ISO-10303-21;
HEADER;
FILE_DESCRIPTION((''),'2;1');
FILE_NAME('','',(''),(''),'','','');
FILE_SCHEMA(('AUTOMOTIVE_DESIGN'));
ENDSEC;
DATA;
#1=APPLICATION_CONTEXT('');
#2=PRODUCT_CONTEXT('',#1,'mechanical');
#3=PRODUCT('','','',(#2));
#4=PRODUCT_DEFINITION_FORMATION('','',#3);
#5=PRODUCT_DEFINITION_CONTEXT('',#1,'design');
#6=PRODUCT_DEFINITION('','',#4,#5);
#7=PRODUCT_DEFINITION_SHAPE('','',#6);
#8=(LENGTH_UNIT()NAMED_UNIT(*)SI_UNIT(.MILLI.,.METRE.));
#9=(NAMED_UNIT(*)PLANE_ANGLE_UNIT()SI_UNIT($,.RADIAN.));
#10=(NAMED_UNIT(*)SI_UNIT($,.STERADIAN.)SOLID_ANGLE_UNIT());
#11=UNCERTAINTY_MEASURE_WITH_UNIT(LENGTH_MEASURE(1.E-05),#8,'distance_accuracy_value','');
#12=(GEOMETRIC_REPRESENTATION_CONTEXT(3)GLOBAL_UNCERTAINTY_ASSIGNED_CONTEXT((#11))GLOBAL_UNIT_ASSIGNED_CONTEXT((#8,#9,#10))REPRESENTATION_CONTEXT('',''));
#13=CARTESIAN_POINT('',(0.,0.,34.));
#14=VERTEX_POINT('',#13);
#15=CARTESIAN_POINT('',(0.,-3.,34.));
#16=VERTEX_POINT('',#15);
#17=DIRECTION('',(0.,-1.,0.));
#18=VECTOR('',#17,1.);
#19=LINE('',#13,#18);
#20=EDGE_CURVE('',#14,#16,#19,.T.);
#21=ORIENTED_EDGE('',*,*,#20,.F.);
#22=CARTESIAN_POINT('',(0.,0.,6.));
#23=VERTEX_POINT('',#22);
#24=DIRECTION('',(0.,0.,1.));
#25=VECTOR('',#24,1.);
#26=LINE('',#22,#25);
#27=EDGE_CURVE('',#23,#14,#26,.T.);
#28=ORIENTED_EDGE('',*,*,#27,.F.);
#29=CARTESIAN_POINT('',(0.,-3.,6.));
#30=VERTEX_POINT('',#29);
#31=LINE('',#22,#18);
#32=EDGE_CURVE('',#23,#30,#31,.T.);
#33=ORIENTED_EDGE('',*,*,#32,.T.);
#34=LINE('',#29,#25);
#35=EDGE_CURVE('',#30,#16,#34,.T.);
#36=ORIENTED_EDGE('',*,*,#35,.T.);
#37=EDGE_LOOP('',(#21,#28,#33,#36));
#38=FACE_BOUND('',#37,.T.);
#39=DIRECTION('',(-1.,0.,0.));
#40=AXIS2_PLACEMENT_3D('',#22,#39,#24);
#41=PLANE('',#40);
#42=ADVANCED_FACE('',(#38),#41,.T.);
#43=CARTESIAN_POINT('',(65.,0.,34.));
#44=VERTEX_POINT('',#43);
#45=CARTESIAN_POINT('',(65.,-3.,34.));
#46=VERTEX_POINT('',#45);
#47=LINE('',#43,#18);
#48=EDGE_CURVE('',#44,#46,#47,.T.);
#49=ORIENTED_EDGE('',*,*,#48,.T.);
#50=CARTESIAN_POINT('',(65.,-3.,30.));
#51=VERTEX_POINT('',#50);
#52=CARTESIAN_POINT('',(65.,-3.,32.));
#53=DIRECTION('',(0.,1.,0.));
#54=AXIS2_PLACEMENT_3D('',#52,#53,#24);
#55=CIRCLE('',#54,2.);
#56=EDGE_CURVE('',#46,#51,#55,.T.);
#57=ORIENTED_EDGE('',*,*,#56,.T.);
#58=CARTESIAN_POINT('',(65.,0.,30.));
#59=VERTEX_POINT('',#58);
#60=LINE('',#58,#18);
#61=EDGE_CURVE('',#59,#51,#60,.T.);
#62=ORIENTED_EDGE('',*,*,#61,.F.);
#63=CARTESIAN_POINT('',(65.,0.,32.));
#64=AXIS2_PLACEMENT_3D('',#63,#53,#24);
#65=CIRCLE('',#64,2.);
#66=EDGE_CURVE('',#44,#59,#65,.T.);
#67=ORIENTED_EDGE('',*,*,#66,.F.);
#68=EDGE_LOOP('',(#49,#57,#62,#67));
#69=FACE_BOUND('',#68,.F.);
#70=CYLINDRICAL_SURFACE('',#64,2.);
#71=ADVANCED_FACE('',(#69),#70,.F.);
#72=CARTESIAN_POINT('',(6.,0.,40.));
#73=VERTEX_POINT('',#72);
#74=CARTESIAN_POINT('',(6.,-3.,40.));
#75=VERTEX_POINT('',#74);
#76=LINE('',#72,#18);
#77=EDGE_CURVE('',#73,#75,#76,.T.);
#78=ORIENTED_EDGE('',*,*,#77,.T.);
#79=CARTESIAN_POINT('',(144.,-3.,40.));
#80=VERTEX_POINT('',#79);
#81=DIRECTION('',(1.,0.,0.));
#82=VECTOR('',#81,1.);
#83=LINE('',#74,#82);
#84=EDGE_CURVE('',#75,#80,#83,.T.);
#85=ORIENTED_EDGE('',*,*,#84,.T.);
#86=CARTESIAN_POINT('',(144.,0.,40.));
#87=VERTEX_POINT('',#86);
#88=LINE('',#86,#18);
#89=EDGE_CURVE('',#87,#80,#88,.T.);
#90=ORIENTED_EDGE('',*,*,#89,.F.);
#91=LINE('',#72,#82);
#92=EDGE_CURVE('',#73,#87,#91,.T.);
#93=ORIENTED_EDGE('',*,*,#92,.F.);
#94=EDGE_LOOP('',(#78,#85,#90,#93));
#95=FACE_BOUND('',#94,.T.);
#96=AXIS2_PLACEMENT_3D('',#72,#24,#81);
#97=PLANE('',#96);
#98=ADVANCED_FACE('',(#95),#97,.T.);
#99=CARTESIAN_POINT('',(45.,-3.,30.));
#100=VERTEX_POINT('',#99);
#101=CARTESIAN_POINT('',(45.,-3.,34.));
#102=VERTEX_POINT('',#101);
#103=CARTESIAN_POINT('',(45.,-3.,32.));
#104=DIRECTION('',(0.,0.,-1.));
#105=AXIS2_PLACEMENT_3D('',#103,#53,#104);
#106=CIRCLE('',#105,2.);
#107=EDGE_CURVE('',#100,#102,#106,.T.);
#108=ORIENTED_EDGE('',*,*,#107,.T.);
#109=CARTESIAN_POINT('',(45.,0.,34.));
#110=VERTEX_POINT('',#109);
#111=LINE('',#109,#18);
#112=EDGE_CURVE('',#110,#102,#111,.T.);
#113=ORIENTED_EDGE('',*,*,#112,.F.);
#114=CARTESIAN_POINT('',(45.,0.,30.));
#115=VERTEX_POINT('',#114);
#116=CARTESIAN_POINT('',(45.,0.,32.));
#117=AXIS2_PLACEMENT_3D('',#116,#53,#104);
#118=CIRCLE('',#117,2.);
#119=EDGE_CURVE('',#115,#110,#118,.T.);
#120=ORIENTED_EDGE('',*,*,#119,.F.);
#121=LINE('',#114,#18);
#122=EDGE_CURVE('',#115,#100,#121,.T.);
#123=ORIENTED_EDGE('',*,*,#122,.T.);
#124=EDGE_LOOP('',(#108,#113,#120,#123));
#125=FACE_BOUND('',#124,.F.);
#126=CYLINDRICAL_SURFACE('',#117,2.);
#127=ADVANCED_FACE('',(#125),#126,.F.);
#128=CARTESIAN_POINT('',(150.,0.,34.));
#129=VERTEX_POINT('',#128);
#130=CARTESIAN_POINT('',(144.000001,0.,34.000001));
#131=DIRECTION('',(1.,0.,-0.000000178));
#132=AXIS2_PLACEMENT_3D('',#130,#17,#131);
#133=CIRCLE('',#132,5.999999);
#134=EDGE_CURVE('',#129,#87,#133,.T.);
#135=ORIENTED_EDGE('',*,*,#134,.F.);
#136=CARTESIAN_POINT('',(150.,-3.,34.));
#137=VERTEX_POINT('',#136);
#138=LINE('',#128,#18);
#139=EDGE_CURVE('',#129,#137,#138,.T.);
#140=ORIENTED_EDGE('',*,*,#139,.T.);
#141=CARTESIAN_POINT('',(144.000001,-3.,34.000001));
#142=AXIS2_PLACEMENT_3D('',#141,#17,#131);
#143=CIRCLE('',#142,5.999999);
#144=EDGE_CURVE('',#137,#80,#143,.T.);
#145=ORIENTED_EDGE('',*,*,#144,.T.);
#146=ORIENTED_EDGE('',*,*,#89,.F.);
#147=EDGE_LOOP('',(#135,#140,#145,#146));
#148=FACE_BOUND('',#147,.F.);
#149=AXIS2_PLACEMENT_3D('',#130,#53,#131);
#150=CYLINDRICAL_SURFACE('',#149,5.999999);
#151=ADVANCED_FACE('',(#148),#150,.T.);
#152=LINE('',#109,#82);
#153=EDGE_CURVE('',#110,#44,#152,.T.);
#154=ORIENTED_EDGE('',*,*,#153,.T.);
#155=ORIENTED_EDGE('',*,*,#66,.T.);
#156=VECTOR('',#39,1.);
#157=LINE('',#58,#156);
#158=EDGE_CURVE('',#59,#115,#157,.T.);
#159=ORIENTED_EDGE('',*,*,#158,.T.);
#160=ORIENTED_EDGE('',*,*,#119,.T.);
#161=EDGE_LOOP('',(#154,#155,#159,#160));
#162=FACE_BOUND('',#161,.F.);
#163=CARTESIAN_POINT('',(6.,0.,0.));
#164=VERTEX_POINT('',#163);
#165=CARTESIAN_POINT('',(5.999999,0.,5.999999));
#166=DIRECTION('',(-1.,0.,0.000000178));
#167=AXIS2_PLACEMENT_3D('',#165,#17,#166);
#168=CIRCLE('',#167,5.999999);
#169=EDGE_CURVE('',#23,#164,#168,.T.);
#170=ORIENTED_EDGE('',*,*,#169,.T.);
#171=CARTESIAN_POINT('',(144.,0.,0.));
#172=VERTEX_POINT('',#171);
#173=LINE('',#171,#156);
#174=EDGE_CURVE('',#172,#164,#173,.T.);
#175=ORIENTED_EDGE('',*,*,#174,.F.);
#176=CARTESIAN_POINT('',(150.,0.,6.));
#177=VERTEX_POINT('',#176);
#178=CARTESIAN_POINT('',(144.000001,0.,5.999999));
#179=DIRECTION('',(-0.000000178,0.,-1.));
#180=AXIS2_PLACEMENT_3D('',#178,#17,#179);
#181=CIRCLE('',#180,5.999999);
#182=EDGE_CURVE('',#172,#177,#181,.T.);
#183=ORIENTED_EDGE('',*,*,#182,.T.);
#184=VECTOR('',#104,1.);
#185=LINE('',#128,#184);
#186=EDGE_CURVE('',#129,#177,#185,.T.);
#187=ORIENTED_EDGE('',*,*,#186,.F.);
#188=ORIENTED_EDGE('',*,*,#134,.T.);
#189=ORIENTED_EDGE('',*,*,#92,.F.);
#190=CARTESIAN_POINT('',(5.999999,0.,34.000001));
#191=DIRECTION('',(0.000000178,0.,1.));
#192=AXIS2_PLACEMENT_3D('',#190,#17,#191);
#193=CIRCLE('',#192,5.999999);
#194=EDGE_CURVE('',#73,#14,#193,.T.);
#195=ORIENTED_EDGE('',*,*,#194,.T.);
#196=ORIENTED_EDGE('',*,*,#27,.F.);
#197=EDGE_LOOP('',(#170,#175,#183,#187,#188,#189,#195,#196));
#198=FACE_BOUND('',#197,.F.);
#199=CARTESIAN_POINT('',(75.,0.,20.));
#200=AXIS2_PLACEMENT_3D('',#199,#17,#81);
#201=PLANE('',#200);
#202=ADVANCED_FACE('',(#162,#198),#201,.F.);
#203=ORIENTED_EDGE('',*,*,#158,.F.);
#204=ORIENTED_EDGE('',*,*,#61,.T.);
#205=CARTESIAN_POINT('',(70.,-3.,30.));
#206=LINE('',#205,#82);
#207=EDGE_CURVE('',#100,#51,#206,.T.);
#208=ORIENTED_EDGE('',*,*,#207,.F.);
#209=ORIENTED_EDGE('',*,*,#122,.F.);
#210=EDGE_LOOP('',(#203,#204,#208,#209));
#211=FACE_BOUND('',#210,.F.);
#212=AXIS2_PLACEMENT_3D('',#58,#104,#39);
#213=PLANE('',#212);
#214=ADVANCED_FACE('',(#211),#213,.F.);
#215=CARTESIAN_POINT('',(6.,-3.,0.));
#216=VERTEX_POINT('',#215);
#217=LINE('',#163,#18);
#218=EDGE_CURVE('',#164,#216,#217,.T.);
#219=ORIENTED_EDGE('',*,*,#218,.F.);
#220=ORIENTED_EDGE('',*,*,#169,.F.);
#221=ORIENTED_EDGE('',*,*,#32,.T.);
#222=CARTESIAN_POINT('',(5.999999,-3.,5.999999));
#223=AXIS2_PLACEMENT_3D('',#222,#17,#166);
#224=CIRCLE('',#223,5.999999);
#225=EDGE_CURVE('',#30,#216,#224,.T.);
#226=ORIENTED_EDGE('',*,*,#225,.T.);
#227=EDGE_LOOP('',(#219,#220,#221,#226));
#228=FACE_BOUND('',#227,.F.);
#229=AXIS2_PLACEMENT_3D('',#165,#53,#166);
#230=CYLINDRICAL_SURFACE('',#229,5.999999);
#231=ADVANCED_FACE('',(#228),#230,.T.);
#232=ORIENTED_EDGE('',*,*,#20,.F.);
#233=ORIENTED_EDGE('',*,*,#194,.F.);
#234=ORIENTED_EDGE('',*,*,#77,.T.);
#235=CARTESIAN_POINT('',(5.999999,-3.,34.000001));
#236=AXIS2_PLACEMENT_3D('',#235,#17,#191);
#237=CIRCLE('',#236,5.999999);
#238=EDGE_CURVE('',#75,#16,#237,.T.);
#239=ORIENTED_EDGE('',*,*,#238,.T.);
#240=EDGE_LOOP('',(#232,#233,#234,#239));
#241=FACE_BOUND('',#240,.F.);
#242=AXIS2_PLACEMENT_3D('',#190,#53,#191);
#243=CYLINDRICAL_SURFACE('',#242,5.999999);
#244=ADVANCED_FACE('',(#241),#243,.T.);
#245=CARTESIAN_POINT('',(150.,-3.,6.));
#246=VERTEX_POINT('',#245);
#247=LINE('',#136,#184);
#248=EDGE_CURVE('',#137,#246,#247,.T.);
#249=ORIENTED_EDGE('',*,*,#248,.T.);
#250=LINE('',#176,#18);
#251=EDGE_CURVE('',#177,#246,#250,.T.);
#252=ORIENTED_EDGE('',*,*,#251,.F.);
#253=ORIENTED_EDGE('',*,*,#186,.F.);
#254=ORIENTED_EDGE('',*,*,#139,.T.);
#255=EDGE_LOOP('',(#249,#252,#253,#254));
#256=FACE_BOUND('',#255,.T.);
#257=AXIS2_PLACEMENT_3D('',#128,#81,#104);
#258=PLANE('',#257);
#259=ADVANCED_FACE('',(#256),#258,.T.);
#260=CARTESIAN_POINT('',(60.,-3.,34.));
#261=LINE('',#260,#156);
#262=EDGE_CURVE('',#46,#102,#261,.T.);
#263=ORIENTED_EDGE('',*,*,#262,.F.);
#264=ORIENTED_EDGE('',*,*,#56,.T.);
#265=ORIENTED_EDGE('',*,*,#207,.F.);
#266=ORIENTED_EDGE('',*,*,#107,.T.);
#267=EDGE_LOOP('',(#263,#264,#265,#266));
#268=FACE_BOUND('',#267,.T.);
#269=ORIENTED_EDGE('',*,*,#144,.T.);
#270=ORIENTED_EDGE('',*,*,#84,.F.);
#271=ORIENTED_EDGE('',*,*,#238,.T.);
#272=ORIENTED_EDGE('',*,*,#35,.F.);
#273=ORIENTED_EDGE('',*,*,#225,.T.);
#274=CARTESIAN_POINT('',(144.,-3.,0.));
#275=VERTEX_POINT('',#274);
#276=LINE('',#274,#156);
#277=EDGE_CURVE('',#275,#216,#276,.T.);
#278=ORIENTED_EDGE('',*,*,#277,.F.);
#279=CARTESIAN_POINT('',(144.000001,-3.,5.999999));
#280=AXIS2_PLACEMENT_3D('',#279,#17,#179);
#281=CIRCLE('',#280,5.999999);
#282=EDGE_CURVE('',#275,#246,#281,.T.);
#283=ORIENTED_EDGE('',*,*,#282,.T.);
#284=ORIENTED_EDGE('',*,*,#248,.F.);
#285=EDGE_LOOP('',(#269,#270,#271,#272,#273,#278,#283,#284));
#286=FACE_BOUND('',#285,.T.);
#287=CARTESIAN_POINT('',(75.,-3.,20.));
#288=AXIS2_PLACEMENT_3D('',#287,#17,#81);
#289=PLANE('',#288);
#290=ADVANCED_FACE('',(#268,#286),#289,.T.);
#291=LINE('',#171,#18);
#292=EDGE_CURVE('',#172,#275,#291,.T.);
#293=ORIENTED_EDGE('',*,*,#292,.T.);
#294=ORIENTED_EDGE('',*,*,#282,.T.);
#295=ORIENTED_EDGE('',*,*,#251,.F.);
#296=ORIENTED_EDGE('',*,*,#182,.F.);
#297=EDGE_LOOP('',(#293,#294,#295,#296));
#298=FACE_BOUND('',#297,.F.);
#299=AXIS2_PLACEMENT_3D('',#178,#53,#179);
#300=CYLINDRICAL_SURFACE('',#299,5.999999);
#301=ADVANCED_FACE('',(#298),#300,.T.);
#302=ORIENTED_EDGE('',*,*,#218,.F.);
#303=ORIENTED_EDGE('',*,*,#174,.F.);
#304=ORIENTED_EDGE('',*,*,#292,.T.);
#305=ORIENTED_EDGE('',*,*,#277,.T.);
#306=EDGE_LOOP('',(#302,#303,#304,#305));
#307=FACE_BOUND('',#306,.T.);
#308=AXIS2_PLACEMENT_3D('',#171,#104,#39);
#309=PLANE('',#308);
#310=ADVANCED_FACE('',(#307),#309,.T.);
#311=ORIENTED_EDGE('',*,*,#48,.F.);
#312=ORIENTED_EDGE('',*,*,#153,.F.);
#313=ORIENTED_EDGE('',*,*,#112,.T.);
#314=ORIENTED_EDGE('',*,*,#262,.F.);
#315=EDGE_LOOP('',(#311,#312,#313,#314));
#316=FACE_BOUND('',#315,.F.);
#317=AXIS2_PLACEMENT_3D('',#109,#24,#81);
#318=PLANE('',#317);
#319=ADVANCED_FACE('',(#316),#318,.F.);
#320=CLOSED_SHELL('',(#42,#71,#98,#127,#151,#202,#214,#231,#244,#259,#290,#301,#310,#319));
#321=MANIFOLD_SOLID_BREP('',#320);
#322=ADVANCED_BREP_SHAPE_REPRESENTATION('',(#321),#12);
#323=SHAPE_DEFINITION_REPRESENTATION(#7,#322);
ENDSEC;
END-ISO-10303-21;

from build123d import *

# Parameters (mm, degrees)
PAD_DEPTH    = 3
POCKET_DEPTH = 3.001


with BuildPart() as part:
    # Sketch → Pad (new body)
    with BuildSketch(Plane.XZ):
        with BuildLine():
            ThreePointArc((6, 40), (1.757359, 38.242641), (0, 34))
            Line((0, 6), (0, 34))
            ThreePointArc((0, 6), (1.757359, 1.757359), (6, 0))
            Line((144, 0), (6, 0))
            ThreePointArc((144, 0), (148.242641, 1.757359), (150, 6))
            Line((150, 34), (150, 6))
            ThreePointArc((150, 34), (148.242641, 38.242641), (144, 40))
            Line((6, 40), (144, 40))
        make_face()
    extrude(amount=PAD_DEPTH)

    # Sketch001 (on Face9 of Pad) → Pocket (cut, through all)
    with BuildSketch(Plane(origin=(0, 0, 0), x_dir=(1, 0, 0), z_dir=(0, 1, 0))):
        with BuildLine():
            ThreePointArc((45, -30), (43, -32), (45, -34))
            Line((45, -34), (65, -34))
            ThreePointArc((65, -34), (67, -32), (65, -30))
            Line((65, -30), (45, -30))
        make_face()
    extrude(amount=-POCKET_DEPTH, mode=Mode.SUBTRACT)


solid = part.part
